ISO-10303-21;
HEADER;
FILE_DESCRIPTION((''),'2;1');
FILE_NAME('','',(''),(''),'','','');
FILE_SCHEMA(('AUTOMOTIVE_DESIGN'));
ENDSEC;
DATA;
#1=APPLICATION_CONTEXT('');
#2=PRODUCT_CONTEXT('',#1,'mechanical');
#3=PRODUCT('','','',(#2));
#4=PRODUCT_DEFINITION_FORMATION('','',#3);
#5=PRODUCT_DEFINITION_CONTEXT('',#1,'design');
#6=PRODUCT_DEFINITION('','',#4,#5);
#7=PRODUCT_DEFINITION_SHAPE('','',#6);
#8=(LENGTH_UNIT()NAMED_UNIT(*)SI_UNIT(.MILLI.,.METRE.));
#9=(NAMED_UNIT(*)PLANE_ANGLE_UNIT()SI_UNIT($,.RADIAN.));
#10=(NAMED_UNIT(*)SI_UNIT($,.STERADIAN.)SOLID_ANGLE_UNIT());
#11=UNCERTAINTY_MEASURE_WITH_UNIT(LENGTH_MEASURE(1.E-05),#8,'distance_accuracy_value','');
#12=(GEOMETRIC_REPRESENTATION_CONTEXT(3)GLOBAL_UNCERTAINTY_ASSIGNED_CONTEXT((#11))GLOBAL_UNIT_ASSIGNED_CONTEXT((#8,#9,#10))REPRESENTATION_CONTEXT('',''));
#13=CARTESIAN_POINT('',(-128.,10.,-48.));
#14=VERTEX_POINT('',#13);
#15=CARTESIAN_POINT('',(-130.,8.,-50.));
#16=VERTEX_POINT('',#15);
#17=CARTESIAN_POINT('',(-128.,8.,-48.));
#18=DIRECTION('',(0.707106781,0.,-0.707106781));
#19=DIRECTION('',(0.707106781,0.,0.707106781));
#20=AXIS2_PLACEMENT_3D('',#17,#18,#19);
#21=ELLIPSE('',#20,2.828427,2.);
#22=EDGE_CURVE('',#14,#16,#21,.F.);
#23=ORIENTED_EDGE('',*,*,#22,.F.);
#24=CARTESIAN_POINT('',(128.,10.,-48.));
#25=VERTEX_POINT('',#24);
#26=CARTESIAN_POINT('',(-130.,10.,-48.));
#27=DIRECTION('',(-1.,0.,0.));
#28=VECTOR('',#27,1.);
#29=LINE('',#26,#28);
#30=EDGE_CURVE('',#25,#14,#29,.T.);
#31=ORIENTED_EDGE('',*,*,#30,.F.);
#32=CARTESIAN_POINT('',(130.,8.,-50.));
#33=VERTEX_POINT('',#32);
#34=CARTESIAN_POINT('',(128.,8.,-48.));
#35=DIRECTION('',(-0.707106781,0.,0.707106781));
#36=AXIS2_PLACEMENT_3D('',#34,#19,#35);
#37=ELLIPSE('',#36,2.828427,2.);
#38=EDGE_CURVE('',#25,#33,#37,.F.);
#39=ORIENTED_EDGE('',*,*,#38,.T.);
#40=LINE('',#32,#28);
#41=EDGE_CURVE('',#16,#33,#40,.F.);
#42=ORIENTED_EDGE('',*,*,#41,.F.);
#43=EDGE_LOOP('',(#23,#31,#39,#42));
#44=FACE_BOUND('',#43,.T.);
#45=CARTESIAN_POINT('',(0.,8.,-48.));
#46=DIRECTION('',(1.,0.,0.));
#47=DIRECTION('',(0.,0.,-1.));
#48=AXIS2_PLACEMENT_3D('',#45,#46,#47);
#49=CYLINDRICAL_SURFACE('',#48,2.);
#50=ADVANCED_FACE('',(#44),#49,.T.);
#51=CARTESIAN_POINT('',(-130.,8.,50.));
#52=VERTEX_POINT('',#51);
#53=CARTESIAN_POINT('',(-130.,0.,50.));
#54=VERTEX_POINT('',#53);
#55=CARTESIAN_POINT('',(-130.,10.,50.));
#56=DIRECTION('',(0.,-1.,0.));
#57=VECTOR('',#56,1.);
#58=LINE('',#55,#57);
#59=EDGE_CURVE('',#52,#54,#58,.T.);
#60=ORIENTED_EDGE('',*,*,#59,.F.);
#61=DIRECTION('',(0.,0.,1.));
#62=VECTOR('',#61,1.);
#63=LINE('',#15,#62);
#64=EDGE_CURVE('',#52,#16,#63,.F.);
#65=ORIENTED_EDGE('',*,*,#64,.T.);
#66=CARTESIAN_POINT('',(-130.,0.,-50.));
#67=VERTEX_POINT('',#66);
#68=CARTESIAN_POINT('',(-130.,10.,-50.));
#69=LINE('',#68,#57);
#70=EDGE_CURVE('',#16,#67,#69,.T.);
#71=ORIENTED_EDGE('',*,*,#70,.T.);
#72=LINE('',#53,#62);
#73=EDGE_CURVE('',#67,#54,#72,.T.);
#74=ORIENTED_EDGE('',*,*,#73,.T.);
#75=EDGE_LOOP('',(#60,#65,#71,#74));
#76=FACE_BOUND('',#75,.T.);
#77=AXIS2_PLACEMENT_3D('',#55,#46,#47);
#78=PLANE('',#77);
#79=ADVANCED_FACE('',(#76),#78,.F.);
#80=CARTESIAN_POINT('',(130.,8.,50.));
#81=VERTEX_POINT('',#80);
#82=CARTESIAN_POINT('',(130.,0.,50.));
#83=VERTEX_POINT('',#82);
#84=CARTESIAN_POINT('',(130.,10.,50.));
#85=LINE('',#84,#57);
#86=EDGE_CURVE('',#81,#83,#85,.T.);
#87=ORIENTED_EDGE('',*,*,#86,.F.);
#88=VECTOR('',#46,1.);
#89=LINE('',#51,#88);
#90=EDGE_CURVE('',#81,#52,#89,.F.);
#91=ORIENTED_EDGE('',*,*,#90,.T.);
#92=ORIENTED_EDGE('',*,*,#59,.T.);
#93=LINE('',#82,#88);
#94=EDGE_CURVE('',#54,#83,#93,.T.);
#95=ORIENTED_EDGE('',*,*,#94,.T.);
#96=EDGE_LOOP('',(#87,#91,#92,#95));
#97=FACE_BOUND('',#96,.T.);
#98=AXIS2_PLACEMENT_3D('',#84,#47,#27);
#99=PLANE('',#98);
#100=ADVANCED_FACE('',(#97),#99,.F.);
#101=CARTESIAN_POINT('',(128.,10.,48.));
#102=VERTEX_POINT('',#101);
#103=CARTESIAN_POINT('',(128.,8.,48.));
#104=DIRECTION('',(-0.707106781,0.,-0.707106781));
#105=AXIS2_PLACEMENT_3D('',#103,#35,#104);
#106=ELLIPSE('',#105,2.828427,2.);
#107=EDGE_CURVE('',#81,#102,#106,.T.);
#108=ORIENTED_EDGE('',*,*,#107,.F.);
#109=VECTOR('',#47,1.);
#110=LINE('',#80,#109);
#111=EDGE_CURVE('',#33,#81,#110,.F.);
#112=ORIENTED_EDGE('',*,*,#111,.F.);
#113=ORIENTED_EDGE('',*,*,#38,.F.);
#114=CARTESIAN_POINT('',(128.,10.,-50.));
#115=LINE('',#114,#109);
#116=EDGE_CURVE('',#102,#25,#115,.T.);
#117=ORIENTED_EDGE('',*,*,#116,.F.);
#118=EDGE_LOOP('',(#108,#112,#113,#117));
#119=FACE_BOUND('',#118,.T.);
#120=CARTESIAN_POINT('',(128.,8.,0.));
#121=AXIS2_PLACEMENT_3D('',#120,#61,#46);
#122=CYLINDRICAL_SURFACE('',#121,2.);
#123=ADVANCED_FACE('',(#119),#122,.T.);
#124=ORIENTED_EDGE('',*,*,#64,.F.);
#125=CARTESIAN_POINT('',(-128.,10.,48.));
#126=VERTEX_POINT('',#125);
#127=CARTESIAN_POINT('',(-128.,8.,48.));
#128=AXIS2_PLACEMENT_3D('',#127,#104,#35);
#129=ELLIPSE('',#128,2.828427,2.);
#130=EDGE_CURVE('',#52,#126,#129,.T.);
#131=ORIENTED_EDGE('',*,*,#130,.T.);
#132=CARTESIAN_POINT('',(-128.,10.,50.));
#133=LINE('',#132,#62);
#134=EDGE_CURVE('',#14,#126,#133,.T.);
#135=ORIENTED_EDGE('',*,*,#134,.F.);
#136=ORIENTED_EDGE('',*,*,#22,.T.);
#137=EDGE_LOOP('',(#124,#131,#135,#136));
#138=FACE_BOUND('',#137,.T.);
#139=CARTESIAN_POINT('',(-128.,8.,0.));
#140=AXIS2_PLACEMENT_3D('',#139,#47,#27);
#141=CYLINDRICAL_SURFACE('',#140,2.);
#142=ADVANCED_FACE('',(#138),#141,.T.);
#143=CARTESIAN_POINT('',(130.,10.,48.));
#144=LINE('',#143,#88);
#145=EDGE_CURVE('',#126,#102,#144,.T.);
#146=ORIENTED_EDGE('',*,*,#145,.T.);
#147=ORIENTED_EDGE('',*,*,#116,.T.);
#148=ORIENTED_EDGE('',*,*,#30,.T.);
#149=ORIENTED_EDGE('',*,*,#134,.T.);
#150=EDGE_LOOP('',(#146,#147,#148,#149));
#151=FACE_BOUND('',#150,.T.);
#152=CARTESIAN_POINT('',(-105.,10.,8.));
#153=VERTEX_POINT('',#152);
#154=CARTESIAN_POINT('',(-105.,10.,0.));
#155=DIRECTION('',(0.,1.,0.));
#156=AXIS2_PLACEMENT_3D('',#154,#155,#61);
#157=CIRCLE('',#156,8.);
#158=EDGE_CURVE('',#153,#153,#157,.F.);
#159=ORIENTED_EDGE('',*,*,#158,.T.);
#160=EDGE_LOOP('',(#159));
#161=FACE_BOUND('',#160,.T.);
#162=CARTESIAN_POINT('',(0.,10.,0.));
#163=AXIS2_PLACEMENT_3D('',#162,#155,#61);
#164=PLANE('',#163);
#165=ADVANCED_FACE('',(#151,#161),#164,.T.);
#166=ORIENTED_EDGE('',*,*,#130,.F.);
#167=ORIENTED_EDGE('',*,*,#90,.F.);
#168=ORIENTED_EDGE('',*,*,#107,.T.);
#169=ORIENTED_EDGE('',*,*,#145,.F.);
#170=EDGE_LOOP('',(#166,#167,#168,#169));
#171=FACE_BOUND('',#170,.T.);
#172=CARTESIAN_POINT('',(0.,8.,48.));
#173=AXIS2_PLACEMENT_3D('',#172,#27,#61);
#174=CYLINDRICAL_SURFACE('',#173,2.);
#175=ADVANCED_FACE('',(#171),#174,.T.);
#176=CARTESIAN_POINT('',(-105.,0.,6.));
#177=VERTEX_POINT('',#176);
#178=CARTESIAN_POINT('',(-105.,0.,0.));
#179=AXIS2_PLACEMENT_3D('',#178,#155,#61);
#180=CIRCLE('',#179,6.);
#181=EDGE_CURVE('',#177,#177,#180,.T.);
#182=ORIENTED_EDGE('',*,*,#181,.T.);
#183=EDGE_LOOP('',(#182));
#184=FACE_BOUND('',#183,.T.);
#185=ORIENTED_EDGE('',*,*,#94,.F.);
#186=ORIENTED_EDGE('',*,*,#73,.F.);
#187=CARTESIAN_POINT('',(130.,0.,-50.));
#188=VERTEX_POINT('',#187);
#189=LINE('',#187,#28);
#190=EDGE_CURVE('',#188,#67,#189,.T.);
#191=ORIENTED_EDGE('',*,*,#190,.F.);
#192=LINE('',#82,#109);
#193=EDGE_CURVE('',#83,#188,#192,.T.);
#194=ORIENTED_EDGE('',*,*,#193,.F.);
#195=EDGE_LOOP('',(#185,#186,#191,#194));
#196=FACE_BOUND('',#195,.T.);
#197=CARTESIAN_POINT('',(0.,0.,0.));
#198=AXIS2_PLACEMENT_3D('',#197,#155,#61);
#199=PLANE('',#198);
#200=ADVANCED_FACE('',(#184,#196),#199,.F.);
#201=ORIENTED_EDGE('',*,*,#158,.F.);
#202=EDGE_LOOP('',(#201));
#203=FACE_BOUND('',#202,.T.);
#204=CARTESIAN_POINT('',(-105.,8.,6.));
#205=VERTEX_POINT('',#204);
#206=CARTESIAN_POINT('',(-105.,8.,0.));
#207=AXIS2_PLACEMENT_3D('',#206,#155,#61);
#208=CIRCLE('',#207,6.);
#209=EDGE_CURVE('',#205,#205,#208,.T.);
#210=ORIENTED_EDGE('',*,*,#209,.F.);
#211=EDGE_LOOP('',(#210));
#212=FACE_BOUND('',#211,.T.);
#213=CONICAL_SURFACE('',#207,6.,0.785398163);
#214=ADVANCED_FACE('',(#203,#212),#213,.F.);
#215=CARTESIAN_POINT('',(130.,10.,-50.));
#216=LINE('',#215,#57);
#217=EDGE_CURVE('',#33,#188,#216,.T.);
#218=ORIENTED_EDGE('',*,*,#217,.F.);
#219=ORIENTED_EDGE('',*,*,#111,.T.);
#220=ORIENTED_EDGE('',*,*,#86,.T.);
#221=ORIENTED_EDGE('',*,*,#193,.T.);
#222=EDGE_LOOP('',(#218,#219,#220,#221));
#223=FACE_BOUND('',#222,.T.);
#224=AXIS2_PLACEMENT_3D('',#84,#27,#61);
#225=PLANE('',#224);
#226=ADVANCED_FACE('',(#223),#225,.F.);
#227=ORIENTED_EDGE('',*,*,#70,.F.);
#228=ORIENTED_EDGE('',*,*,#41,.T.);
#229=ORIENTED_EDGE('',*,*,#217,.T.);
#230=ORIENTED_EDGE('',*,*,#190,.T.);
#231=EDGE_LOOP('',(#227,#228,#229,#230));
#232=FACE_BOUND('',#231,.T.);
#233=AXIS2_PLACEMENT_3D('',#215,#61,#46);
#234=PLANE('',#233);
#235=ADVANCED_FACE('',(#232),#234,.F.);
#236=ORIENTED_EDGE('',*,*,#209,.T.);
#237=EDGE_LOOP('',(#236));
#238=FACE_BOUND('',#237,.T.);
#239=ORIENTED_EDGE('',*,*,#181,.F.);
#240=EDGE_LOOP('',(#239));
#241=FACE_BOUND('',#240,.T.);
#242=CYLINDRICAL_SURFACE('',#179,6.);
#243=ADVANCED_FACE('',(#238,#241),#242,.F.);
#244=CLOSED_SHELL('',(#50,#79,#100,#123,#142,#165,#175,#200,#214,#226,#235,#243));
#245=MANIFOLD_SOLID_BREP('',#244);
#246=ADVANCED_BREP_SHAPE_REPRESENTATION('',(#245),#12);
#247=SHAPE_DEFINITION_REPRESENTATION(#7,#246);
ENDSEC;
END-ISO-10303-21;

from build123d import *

# Parameters (mm, degrees)
SKETCH1_W           = 260
SKETCH1_H           = 100
BOSS_EXTRUDE1_DEPTH = 10
FILLET1_R           = 2
SKETCH2_R           = 6
CUT_EXTRUDE1_DEPTH  = 140.642400438
CHAMFER1_SIZE       = 2


with BuildPart() as part:
    # Sketch1 → Boss-Extrude1 (new body)
    with BuildSketch(Plane(origin=(0, 0, 0), x_dir=(1, 0, 0), z_dir=(0, 1, 0))):
        Rectangle(SKETCH1_W, SKETCH1_H)
    extrude(amount=BOSS_EXTRUDE1_DEPTH)

    # Fillet1
    fillet1_edges = [part.edges().sort_by_distance(p)[0] for p in [
        (130, 10, 0),
        (0, 10, -50),
        (-130, 10, 0),
        (0, 10, 50),
    ]]
    fillet(fillet1_edges, radius=FILLET1_R)

    # Sketch2 → Cut-Extrude1 (cut, through all)
    with BuildSketch(Plane(origin=(0, 10, 0), x_dir=(1, 0, 0), z_dir=(0, 1, 0))):
        with Locations(Location((-105, 0, 0), (0, 0, 270))):
            Circle(SKETCH2_R)
    extrude(amount=-CUT_EXTRUDE1_DEPTH, mode=Mode.SUBTRACT)

    # Chamfer1
    chamfer1_edges = [part.edges().sort_by_distance(p)[0] for p in [
        (-105, 10, -6),
    ]]
    chamfer(chamfer1_edges, length=CHAMFER1_SIZE)


solid = part.part
